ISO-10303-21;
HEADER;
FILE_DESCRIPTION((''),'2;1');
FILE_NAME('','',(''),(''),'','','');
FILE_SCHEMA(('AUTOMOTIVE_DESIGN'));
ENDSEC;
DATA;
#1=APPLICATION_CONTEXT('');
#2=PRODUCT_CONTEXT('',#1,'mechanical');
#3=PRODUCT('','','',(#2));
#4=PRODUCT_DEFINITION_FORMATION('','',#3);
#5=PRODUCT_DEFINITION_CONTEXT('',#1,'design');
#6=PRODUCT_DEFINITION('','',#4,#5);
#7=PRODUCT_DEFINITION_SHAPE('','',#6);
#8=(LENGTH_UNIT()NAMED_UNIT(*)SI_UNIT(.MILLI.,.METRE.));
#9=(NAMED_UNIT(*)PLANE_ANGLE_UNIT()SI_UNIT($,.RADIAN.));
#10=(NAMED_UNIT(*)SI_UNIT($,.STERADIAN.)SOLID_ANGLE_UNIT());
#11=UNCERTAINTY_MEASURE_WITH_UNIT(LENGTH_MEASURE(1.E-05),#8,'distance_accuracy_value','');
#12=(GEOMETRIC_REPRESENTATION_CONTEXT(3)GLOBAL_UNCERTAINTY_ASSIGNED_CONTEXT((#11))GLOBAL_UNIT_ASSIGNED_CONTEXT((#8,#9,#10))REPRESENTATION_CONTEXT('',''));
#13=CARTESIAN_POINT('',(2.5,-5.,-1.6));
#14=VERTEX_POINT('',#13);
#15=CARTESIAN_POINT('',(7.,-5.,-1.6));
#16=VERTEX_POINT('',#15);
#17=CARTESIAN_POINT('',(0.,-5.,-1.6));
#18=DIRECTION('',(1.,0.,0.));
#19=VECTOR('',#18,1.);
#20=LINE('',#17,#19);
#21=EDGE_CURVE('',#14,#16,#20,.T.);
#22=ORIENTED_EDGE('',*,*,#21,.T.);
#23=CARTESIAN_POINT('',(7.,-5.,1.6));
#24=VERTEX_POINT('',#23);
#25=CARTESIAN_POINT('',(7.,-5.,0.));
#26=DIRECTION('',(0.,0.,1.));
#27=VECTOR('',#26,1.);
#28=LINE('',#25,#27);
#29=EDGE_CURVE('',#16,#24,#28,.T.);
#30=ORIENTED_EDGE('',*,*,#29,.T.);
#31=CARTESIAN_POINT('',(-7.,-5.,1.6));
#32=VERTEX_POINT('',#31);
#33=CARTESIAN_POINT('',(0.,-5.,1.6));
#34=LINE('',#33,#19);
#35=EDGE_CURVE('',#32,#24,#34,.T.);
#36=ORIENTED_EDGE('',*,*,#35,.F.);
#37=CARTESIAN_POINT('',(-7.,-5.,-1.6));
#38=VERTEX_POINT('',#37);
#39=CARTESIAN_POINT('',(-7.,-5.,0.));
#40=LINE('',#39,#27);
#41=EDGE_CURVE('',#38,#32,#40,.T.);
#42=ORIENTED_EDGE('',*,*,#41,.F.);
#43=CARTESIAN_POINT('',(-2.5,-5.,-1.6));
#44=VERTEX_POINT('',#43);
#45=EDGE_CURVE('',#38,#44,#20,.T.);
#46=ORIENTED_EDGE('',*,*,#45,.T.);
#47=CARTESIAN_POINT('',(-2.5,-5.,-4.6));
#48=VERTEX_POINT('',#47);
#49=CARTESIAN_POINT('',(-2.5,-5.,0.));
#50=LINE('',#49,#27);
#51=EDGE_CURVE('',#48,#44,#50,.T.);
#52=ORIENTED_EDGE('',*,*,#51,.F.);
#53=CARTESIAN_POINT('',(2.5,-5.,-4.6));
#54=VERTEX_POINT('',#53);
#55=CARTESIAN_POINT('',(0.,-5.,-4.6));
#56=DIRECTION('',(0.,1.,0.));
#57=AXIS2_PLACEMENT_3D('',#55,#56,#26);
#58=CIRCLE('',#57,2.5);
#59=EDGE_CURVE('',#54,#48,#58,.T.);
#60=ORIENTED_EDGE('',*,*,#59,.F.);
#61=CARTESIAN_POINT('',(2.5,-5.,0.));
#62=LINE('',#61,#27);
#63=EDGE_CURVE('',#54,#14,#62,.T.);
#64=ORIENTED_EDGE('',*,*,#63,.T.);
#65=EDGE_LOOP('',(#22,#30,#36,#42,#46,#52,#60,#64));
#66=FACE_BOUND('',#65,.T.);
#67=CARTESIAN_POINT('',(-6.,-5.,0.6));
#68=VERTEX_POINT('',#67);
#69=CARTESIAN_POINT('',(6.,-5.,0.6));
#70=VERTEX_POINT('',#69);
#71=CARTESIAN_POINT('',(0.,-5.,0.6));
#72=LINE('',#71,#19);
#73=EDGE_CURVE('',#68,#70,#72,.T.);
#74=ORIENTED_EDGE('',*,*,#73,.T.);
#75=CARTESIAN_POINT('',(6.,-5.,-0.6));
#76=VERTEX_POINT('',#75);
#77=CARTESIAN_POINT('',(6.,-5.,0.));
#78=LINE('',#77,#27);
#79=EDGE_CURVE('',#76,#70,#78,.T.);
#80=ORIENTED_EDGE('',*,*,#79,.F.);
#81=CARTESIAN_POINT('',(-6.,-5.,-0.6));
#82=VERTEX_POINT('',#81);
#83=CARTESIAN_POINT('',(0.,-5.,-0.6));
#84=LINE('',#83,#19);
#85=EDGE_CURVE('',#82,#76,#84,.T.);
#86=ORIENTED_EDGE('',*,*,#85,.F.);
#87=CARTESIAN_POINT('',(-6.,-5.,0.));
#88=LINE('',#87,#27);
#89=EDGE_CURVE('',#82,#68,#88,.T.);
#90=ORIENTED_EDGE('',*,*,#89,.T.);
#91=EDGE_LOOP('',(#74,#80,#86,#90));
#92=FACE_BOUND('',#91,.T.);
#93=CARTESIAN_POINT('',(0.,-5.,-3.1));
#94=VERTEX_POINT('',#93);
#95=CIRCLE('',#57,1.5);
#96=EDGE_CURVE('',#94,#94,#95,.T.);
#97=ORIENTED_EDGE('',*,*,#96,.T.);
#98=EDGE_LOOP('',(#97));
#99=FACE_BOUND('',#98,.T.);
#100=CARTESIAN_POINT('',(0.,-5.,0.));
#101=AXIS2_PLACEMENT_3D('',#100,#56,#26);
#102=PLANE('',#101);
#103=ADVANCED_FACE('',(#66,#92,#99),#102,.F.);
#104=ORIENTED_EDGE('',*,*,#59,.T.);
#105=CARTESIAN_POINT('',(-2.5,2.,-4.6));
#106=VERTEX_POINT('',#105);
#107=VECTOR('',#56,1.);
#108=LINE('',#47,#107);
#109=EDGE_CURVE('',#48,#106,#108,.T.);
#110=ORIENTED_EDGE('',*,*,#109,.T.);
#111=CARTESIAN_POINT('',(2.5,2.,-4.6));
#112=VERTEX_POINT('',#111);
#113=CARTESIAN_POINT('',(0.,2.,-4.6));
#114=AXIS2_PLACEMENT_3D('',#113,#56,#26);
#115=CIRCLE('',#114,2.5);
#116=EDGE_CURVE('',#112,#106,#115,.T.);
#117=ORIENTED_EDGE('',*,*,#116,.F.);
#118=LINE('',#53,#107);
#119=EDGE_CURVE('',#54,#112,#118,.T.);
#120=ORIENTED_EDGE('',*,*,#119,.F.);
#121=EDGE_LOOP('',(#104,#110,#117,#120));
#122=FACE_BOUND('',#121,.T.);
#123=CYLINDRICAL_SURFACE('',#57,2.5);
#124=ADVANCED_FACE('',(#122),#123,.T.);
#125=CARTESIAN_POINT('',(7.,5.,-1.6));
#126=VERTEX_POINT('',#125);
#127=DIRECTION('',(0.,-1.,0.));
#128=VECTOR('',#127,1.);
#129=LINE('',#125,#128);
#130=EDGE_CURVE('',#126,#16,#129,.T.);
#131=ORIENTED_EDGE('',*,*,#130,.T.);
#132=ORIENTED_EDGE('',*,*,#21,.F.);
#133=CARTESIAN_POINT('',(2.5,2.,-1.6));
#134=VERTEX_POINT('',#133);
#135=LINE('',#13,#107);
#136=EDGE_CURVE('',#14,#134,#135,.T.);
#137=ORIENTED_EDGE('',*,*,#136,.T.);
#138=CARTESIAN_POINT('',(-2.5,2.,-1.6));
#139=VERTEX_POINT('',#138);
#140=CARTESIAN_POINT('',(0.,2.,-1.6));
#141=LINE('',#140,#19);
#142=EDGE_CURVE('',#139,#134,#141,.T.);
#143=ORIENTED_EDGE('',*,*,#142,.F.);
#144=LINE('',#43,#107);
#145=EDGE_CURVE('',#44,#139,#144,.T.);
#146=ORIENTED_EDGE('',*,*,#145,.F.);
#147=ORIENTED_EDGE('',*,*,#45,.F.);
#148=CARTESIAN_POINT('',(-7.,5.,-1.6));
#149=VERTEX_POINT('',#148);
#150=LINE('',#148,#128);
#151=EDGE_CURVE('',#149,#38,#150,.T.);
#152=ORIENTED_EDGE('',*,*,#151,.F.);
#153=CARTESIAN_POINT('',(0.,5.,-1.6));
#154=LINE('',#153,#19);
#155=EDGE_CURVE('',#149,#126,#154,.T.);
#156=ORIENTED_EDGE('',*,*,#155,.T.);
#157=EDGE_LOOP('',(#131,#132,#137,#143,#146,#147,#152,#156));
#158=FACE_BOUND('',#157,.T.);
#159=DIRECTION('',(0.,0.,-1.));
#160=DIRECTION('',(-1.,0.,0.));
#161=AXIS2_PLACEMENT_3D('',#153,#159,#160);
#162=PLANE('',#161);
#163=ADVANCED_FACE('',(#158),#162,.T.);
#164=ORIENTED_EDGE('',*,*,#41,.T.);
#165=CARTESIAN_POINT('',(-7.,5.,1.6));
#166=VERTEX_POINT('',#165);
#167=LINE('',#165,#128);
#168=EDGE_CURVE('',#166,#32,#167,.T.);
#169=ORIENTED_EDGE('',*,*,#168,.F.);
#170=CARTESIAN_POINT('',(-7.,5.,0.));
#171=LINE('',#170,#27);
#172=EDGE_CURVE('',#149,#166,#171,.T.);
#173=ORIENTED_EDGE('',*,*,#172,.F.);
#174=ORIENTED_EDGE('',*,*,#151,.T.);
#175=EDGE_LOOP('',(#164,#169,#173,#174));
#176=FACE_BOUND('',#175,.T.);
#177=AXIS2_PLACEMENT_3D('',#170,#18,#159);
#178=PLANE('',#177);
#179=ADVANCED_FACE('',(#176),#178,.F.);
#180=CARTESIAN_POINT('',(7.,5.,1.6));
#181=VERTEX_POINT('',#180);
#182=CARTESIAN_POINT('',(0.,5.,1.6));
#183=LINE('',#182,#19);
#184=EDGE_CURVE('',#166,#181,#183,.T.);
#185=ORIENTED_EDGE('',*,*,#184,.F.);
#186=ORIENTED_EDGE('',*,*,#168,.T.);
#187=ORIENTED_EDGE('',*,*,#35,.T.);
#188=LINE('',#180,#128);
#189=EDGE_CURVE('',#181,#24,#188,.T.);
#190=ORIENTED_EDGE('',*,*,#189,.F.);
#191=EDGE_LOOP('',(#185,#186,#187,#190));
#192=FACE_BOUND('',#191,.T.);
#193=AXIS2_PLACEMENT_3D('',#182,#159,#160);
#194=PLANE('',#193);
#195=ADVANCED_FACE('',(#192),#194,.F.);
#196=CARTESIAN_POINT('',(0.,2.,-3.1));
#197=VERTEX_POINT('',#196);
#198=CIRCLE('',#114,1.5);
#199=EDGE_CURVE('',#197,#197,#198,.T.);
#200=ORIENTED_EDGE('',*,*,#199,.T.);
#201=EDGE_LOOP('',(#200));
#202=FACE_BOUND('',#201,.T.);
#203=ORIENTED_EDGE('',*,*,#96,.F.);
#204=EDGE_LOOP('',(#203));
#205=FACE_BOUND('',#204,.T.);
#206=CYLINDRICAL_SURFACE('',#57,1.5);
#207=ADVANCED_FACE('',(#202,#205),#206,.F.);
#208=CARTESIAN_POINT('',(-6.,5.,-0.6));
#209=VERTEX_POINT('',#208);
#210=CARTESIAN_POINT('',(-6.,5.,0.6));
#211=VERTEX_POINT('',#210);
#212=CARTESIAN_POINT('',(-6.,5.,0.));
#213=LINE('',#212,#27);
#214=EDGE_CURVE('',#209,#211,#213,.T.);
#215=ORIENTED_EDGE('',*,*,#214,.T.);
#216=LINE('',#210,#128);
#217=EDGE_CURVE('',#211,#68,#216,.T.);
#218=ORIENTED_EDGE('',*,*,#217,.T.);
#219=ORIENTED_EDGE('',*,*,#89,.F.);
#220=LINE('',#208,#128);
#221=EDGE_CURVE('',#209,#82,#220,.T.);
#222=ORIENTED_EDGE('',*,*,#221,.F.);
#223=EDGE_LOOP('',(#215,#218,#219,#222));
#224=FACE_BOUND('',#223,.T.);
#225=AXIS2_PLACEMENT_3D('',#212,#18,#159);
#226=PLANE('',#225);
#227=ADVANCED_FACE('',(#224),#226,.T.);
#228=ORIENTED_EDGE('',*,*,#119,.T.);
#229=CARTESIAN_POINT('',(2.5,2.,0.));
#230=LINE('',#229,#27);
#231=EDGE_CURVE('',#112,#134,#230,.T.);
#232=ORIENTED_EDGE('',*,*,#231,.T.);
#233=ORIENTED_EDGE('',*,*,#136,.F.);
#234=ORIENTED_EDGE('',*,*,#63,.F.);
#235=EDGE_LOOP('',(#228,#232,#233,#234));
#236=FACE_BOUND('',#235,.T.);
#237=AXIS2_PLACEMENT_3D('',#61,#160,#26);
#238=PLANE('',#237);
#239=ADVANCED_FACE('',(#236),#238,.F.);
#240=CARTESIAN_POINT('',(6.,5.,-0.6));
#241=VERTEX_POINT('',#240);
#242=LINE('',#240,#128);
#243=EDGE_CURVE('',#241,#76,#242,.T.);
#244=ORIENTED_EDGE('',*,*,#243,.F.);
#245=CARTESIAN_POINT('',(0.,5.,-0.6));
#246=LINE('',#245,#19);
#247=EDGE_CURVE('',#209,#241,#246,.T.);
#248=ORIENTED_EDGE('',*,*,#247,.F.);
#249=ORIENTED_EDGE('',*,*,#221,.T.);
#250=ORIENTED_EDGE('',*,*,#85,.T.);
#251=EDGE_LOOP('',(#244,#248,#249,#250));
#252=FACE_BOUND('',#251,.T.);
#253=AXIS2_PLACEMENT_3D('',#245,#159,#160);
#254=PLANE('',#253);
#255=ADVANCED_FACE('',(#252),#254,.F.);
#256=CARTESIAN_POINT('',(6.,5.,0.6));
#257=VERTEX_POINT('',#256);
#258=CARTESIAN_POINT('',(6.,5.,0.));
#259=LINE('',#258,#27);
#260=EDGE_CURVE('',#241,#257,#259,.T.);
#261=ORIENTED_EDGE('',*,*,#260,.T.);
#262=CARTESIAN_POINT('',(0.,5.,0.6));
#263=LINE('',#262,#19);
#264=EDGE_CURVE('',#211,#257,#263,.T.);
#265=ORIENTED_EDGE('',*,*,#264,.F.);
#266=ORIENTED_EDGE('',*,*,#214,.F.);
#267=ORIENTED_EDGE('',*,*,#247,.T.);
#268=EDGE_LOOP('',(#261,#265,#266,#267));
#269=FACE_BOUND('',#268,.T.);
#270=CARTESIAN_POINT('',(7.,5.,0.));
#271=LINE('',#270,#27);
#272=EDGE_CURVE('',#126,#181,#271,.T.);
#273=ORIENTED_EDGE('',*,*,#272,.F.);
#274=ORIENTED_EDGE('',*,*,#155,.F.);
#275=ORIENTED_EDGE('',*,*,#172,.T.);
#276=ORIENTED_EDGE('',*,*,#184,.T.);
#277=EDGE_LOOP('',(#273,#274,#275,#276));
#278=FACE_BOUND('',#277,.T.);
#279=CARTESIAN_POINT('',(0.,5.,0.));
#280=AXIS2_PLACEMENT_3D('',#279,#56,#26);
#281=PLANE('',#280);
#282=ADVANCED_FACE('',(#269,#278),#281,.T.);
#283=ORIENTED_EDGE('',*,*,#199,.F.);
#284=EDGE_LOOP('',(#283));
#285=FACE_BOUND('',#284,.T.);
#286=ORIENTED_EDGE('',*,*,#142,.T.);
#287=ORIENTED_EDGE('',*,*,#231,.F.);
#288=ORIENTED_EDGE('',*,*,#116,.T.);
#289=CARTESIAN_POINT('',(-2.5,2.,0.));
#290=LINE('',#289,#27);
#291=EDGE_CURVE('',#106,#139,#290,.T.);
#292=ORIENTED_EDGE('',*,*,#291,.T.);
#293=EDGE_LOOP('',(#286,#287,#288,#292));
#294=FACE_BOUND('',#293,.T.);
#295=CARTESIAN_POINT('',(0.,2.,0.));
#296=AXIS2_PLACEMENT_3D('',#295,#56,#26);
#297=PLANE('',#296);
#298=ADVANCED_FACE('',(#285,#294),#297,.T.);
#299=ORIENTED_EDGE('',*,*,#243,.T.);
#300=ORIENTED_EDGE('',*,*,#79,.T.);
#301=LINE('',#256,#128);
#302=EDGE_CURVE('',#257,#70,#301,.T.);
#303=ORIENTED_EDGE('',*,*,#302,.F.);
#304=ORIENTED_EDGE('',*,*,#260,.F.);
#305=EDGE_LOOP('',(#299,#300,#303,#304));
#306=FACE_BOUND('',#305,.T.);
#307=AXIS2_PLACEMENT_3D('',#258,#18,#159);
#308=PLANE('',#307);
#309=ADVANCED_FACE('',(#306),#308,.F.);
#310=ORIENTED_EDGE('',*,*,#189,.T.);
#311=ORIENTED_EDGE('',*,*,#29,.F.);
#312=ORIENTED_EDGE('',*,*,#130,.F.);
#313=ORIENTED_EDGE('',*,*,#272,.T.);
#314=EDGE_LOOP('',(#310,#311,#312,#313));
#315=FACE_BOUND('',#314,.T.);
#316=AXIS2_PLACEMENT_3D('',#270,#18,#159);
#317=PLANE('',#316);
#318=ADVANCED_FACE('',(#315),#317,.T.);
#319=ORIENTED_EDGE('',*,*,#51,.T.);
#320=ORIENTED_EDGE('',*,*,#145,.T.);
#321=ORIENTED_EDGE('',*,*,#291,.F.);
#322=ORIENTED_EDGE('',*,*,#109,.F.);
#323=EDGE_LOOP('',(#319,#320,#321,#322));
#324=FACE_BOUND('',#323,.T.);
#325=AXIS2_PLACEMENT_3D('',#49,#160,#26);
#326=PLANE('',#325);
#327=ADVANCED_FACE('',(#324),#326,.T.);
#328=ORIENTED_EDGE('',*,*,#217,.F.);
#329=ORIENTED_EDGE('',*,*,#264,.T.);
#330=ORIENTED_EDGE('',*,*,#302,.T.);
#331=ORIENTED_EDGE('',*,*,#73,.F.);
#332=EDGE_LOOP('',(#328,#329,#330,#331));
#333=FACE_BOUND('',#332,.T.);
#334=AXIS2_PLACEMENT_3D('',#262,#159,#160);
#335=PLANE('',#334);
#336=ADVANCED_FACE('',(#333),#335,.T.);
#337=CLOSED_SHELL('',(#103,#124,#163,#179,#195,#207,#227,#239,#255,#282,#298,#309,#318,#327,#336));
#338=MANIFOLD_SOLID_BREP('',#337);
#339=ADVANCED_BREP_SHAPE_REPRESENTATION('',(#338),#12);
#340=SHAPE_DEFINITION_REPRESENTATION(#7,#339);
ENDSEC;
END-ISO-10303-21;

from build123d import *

# Parameters (mm, degrees)
SKETCH1_W                = 12
SKETCH1_H                = 1.2
BOSS_EXTRUDE1_DEPTH      = 5
BOSS_EXTRUDE2_DEPTH      = 2
BOSS_EXTRUDE2_DEPTH_BACK = 5
SKETCH1_3_R              = 1.5


with BuildPart() as part:
    # Sketch1 → Boss-Extrude1 (new, symmetric)
    with BuildSketch(Plane(origin=(0, 0, 0), x_dir=(1, 0, 0), z_dir=(0, 1, 0))):
        Polygon((2.5, 1.6), (-2.5, 1.6), (-7, 1.6), (-7, -1.6), (7, -1.6), (7, 1.6), align=None)
        Rectangle(SKETCH1_W, SKETCH1_H, mode=Mode.SUBTRACT)
    extrude(amount=BOSS_EXTRUDE1_DEPTH, both=True)

    # Sketch1<3> → Boss-Extrude2 (add, two sides: drawn at the far end of the back side and taken through both)
    with BuildSketch(Plane(origin=(0, 0, 0), x_dir=(1, 0, 0), z_dir=(0, 1, 0)).offset(-BOSS_EXTRUDE2_DEPTH_BACK)):
        with BuildLine():
            ThreePointArc((2.5, 4.6), (0, 7.1), (-2.5, 4.6))
            Line((-2.5, 4.6), (-2.5, 1.6))
            Line((-2.5, 1.6), (2.5, 1.6))
            Line((2.5, 1.6), (2.5, 4.6))
        make_face()
        with Locations((0, 4.6)):
            Circle(SKETCH1_3_R, mode=Mode.SUBTRACT)
    extrude(amount=BOSS_EXTRUDE2_DEPTH + BOSS_EXTRUDE2_DEPTH_BACK)


solid = part.part
